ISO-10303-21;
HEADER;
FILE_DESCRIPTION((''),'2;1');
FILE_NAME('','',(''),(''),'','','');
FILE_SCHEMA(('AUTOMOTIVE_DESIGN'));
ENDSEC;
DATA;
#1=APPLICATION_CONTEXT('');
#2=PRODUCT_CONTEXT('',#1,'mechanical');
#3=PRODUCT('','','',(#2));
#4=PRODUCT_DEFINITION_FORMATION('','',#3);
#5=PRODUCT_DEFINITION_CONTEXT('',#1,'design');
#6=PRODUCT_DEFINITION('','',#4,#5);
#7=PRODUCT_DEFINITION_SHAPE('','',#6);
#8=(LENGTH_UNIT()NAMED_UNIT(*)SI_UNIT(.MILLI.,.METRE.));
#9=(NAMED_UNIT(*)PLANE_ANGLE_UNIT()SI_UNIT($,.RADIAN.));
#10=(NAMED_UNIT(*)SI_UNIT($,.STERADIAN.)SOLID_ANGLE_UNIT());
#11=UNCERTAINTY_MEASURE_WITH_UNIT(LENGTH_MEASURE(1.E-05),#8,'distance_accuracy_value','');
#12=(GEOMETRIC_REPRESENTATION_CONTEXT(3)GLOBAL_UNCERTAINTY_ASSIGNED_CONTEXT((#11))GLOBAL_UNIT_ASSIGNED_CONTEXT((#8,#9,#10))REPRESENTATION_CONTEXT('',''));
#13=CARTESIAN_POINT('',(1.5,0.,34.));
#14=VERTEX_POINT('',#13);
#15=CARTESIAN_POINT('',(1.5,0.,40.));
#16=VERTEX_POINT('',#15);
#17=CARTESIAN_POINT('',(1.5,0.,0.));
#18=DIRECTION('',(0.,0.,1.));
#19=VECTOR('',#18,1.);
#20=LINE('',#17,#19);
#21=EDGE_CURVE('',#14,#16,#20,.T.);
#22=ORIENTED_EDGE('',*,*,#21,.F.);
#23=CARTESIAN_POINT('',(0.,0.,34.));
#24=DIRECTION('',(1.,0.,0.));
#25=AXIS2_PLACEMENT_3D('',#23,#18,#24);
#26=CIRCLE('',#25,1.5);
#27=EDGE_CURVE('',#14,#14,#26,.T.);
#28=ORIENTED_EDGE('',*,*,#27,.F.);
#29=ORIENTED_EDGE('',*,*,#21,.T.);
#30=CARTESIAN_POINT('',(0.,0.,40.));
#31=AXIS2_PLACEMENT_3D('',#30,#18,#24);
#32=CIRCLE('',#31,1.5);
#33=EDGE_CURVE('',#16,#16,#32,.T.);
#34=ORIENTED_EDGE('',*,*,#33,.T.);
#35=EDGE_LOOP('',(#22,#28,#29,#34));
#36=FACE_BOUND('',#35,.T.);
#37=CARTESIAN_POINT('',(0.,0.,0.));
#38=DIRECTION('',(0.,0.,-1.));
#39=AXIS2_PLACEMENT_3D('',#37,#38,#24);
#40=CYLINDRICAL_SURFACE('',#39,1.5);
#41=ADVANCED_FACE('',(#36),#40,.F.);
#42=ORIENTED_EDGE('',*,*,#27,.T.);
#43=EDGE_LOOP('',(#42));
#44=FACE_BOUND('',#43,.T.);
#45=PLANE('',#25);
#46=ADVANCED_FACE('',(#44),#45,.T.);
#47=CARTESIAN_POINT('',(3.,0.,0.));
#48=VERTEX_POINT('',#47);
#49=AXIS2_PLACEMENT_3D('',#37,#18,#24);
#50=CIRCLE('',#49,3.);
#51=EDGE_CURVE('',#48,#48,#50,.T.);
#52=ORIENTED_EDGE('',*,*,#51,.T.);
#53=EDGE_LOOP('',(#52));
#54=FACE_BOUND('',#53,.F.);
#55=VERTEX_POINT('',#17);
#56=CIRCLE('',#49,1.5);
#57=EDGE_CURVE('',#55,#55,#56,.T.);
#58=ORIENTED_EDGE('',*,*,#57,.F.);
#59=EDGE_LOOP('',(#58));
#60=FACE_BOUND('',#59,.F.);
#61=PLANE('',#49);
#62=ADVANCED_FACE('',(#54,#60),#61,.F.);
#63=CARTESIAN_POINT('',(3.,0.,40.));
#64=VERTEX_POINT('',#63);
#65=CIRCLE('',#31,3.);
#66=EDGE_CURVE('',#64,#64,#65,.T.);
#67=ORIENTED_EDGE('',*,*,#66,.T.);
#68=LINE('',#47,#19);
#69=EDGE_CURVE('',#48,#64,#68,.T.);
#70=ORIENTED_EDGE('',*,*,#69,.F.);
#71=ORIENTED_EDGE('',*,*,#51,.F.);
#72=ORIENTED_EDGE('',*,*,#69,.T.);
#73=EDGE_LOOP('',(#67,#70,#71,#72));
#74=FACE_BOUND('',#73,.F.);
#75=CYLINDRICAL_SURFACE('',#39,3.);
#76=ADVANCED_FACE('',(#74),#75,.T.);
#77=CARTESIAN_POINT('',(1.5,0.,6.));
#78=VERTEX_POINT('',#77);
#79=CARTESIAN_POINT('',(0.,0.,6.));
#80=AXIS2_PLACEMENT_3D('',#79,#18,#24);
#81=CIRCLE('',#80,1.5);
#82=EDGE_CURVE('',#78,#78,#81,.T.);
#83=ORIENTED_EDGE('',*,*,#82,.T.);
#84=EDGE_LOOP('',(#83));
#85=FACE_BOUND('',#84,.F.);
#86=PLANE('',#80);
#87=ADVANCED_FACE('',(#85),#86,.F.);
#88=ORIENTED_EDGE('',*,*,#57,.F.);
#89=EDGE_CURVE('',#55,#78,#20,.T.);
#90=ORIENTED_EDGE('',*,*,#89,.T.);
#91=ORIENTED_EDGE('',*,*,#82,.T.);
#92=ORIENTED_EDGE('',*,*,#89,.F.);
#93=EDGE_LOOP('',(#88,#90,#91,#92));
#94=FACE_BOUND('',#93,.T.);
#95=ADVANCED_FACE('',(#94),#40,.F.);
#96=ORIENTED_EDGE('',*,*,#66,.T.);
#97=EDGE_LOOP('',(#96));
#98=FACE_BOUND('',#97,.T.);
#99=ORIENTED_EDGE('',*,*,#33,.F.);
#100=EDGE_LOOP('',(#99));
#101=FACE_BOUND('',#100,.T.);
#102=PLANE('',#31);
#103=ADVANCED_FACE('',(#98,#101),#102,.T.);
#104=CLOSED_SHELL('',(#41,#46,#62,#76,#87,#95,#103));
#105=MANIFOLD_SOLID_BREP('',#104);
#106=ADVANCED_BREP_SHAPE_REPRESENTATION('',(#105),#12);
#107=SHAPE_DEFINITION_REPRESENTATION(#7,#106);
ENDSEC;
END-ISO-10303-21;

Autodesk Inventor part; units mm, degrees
ref_plane "YZ Plane" through (0, 0, 0) normal (1, 0, 0) x (0, 1, 0)
ref_plane "XZ Plane" through (0, 0, 0) normal (0, 1, 0) x (-1, 0, 0)
sketch "スケッチ1" plane through (0, 0, 0) normal (0, 0, 1) x (1, 0, 0)
  circle A0 centre (0, 0) radius 3
  circle A1 centre (0, 0) radius 1.5
  dimension "d0" = 6
  dimension "d1" = 3
extrude "押し出し1" add sketch "スケッチ1" along normal blind 40
ref_plane "作業平面1" through (0, 0, 34) normal (0, 0, 1) x (1, 0, 0)
sketch "スケッチ2" plane through (0, 0, 34) normal (0, 0, 1) x (1, 0, 0)
  circle A0 centre (0, 0) radius 1.5 projected
extrude "押し出し2" add sketch "スケッチ2" against normal blind 28
properties part number "スペーサーm3,40" material "アルミニウム 7075"
